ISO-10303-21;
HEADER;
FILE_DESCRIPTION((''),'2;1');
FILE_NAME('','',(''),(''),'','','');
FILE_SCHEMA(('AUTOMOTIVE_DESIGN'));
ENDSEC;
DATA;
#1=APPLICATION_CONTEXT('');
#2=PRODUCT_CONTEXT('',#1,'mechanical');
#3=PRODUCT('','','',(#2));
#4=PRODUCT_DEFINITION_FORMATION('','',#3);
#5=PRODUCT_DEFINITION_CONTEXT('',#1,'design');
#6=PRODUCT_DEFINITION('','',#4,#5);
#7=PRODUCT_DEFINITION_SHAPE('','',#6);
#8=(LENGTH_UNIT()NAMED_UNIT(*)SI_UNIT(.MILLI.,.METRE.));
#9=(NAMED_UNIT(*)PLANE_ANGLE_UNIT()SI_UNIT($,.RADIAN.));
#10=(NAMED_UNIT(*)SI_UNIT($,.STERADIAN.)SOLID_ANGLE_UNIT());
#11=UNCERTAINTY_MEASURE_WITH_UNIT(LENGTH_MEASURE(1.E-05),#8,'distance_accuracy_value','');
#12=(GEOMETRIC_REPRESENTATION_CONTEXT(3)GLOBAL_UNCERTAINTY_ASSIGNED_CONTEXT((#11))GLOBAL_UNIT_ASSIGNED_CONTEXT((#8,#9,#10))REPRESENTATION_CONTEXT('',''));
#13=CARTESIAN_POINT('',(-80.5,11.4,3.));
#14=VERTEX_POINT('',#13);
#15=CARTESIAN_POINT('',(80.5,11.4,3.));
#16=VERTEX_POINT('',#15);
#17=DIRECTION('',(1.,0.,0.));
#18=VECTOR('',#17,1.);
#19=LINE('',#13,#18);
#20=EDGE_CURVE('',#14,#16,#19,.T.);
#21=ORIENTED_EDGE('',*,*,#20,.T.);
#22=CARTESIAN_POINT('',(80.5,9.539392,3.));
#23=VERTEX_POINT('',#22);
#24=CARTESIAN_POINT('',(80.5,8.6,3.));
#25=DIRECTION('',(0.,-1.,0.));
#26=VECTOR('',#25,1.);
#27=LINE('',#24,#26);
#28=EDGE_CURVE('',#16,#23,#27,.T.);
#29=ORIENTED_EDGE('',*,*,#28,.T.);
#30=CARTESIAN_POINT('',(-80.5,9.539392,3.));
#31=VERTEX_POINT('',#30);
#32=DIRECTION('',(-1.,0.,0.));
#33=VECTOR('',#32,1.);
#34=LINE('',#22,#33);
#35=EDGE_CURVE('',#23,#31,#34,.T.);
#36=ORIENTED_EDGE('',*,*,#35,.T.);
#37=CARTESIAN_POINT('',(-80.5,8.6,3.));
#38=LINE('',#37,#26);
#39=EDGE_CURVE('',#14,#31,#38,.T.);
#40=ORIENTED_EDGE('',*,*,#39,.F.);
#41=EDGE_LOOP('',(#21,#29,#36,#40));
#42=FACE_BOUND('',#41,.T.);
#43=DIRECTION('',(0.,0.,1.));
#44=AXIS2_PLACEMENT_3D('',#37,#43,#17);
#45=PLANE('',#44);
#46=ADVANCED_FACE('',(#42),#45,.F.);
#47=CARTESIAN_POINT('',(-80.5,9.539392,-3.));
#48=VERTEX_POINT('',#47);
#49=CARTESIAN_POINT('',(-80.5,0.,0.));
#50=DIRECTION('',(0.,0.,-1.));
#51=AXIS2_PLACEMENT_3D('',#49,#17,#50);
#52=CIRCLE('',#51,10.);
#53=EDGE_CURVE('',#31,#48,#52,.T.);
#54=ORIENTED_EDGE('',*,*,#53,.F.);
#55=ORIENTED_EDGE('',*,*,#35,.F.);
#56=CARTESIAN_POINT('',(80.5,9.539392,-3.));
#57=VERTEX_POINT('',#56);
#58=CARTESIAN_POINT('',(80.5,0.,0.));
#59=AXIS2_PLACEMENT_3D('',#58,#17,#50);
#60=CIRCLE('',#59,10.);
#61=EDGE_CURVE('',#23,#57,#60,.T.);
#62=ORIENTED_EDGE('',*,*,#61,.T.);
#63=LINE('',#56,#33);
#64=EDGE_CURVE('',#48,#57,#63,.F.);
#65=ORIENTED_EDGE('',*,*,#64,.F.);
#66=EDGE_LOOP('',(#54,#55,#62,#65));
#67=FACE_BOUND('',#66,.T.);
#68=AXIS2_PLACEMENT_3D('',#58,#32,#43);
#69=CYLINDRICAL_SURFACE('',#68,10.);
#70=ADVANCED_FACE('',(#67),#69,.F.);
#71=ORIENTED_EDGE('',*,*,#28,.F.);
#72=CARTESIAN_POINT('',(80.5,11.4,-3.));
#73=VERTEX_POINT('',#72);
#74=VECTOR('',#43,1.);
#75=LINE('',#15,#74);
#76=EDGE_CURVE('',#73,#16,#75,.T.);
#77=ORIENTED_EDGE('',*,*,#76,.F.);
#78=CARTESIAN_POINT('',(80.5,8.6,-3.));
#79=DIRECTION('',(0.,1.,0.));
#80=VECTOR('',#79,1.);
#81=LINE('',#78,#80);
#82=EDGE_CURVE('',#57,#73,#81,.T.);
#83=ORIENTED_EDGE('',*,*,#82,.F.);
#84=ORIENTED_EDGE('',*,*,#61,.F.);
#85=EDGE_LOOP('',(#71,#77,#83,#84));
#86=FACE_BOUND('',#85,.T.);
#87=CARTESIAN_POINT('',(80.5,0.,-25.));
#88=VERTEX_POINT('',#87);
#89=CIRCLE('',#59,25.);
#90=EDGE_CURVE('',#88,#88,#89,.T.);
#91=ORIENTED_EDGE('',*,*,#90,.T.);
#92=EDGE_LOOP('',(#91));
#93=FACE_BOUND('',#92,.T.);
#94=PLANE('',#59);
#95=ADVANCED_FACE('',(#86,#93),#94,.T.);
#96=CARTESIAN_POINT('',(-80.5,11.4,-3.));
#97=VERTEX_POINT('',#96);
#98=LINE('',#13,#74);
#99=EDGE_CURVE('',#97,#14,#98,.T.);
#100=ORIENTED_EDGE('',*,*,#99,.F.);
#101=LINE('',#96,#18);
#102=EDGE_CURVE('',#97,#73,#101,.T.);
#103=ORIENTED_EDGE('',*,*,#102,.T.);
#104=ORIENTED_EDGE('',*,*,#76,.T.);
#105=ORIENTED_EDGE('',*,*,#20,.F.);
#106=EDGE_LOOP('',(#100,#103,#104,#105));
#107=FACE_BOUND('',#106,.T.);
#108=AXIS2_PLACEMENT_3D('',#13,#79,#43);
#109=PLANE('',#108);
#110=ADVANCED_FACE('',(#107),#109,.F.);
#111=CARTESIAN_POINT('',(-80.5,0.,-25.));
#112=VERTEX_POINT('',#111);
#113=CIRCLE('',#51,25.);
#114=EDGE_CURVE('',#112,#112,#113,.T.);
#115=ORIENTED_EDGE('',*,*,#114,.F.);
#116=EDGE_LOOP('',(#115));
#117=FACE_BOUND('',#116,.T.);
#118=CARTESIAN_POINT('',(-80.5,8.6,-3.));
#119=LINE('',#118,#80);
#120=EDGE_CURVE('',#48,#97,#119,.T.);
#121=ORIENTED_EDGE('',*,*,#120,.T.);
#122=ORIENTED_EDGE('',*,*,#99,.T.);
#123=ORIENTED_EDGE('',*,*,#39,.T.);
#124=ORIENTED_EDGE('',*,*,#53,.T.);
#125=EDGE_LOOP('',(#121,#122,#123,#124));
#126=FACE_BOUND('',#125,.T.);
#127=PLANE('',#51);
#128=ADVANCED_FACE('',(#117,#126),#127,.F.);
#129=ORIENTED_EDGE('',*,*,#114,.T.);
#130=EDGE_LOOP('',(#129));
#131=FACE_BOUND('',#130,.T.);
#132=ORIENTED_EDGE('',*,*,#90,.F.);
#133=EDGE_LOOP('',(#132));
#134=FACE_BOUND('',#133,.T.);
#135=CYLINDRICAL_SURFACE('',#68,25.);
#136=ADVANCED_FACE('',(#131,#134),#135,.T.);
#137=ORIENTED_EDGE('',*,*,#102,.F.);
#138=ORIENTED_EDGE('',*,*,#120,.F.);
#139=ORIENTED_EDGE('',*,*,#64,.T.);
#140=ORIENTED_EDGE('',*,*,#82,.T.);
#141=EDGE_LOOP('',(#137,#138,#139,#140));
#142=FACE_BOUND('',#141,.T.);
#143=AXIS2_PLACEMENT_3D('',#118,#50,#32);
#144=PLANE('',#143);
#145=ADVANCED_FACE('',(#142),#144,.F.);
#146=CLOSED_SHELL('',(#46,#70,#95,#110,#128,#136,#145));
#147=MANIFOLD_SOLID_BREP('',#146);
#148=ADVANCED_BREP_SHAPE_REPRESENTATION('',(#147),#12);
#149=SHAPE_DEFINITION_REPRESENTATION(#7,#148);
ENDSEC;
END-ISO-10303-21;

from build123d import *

# Parameters (mm, degrees)
SKETCH1_R           = 25
SKETCH1_R_2         = 10
BOSS_EXTRUDE1_DEPTH = 80.5
SKETCH3_W           = 6
SKETCH3_H           = 2.8
CUT_EXTRUDE1_DEPTH  = 80.5


with BuildPart() as part:
    # Sketch1 → Boss-Extrude1 (new, symmetric)
    with BuildSketch(Plane(origin=(0, 0, 0), x_dir=(0, 0, -1), z_dir=(1, 0, 0))):
        Circle(SKETCH1_R)
        Circle(SKETCH1_R_2, mode=Mode.SUBTRACT)
    extrude(amount=BOSS_EXTRUDE1_DEPTH, both=True)

    # Sketch3 → Cut-Extrude1 (cut, symmetric)
    with BuildSketch(Plane(origin=(0, 0, 0), x_dir=(0, 0, -1), z_dir=(1, 0, 0))):
        with Locations((0, 10)):
            Rectangle(SKETCH3_W, SKETCH3_H)
    extrude(amount=CUT_EXTRUDE1_DEPTH, both=True, mode=Mode.SUBTRACT)


solid = part.part
